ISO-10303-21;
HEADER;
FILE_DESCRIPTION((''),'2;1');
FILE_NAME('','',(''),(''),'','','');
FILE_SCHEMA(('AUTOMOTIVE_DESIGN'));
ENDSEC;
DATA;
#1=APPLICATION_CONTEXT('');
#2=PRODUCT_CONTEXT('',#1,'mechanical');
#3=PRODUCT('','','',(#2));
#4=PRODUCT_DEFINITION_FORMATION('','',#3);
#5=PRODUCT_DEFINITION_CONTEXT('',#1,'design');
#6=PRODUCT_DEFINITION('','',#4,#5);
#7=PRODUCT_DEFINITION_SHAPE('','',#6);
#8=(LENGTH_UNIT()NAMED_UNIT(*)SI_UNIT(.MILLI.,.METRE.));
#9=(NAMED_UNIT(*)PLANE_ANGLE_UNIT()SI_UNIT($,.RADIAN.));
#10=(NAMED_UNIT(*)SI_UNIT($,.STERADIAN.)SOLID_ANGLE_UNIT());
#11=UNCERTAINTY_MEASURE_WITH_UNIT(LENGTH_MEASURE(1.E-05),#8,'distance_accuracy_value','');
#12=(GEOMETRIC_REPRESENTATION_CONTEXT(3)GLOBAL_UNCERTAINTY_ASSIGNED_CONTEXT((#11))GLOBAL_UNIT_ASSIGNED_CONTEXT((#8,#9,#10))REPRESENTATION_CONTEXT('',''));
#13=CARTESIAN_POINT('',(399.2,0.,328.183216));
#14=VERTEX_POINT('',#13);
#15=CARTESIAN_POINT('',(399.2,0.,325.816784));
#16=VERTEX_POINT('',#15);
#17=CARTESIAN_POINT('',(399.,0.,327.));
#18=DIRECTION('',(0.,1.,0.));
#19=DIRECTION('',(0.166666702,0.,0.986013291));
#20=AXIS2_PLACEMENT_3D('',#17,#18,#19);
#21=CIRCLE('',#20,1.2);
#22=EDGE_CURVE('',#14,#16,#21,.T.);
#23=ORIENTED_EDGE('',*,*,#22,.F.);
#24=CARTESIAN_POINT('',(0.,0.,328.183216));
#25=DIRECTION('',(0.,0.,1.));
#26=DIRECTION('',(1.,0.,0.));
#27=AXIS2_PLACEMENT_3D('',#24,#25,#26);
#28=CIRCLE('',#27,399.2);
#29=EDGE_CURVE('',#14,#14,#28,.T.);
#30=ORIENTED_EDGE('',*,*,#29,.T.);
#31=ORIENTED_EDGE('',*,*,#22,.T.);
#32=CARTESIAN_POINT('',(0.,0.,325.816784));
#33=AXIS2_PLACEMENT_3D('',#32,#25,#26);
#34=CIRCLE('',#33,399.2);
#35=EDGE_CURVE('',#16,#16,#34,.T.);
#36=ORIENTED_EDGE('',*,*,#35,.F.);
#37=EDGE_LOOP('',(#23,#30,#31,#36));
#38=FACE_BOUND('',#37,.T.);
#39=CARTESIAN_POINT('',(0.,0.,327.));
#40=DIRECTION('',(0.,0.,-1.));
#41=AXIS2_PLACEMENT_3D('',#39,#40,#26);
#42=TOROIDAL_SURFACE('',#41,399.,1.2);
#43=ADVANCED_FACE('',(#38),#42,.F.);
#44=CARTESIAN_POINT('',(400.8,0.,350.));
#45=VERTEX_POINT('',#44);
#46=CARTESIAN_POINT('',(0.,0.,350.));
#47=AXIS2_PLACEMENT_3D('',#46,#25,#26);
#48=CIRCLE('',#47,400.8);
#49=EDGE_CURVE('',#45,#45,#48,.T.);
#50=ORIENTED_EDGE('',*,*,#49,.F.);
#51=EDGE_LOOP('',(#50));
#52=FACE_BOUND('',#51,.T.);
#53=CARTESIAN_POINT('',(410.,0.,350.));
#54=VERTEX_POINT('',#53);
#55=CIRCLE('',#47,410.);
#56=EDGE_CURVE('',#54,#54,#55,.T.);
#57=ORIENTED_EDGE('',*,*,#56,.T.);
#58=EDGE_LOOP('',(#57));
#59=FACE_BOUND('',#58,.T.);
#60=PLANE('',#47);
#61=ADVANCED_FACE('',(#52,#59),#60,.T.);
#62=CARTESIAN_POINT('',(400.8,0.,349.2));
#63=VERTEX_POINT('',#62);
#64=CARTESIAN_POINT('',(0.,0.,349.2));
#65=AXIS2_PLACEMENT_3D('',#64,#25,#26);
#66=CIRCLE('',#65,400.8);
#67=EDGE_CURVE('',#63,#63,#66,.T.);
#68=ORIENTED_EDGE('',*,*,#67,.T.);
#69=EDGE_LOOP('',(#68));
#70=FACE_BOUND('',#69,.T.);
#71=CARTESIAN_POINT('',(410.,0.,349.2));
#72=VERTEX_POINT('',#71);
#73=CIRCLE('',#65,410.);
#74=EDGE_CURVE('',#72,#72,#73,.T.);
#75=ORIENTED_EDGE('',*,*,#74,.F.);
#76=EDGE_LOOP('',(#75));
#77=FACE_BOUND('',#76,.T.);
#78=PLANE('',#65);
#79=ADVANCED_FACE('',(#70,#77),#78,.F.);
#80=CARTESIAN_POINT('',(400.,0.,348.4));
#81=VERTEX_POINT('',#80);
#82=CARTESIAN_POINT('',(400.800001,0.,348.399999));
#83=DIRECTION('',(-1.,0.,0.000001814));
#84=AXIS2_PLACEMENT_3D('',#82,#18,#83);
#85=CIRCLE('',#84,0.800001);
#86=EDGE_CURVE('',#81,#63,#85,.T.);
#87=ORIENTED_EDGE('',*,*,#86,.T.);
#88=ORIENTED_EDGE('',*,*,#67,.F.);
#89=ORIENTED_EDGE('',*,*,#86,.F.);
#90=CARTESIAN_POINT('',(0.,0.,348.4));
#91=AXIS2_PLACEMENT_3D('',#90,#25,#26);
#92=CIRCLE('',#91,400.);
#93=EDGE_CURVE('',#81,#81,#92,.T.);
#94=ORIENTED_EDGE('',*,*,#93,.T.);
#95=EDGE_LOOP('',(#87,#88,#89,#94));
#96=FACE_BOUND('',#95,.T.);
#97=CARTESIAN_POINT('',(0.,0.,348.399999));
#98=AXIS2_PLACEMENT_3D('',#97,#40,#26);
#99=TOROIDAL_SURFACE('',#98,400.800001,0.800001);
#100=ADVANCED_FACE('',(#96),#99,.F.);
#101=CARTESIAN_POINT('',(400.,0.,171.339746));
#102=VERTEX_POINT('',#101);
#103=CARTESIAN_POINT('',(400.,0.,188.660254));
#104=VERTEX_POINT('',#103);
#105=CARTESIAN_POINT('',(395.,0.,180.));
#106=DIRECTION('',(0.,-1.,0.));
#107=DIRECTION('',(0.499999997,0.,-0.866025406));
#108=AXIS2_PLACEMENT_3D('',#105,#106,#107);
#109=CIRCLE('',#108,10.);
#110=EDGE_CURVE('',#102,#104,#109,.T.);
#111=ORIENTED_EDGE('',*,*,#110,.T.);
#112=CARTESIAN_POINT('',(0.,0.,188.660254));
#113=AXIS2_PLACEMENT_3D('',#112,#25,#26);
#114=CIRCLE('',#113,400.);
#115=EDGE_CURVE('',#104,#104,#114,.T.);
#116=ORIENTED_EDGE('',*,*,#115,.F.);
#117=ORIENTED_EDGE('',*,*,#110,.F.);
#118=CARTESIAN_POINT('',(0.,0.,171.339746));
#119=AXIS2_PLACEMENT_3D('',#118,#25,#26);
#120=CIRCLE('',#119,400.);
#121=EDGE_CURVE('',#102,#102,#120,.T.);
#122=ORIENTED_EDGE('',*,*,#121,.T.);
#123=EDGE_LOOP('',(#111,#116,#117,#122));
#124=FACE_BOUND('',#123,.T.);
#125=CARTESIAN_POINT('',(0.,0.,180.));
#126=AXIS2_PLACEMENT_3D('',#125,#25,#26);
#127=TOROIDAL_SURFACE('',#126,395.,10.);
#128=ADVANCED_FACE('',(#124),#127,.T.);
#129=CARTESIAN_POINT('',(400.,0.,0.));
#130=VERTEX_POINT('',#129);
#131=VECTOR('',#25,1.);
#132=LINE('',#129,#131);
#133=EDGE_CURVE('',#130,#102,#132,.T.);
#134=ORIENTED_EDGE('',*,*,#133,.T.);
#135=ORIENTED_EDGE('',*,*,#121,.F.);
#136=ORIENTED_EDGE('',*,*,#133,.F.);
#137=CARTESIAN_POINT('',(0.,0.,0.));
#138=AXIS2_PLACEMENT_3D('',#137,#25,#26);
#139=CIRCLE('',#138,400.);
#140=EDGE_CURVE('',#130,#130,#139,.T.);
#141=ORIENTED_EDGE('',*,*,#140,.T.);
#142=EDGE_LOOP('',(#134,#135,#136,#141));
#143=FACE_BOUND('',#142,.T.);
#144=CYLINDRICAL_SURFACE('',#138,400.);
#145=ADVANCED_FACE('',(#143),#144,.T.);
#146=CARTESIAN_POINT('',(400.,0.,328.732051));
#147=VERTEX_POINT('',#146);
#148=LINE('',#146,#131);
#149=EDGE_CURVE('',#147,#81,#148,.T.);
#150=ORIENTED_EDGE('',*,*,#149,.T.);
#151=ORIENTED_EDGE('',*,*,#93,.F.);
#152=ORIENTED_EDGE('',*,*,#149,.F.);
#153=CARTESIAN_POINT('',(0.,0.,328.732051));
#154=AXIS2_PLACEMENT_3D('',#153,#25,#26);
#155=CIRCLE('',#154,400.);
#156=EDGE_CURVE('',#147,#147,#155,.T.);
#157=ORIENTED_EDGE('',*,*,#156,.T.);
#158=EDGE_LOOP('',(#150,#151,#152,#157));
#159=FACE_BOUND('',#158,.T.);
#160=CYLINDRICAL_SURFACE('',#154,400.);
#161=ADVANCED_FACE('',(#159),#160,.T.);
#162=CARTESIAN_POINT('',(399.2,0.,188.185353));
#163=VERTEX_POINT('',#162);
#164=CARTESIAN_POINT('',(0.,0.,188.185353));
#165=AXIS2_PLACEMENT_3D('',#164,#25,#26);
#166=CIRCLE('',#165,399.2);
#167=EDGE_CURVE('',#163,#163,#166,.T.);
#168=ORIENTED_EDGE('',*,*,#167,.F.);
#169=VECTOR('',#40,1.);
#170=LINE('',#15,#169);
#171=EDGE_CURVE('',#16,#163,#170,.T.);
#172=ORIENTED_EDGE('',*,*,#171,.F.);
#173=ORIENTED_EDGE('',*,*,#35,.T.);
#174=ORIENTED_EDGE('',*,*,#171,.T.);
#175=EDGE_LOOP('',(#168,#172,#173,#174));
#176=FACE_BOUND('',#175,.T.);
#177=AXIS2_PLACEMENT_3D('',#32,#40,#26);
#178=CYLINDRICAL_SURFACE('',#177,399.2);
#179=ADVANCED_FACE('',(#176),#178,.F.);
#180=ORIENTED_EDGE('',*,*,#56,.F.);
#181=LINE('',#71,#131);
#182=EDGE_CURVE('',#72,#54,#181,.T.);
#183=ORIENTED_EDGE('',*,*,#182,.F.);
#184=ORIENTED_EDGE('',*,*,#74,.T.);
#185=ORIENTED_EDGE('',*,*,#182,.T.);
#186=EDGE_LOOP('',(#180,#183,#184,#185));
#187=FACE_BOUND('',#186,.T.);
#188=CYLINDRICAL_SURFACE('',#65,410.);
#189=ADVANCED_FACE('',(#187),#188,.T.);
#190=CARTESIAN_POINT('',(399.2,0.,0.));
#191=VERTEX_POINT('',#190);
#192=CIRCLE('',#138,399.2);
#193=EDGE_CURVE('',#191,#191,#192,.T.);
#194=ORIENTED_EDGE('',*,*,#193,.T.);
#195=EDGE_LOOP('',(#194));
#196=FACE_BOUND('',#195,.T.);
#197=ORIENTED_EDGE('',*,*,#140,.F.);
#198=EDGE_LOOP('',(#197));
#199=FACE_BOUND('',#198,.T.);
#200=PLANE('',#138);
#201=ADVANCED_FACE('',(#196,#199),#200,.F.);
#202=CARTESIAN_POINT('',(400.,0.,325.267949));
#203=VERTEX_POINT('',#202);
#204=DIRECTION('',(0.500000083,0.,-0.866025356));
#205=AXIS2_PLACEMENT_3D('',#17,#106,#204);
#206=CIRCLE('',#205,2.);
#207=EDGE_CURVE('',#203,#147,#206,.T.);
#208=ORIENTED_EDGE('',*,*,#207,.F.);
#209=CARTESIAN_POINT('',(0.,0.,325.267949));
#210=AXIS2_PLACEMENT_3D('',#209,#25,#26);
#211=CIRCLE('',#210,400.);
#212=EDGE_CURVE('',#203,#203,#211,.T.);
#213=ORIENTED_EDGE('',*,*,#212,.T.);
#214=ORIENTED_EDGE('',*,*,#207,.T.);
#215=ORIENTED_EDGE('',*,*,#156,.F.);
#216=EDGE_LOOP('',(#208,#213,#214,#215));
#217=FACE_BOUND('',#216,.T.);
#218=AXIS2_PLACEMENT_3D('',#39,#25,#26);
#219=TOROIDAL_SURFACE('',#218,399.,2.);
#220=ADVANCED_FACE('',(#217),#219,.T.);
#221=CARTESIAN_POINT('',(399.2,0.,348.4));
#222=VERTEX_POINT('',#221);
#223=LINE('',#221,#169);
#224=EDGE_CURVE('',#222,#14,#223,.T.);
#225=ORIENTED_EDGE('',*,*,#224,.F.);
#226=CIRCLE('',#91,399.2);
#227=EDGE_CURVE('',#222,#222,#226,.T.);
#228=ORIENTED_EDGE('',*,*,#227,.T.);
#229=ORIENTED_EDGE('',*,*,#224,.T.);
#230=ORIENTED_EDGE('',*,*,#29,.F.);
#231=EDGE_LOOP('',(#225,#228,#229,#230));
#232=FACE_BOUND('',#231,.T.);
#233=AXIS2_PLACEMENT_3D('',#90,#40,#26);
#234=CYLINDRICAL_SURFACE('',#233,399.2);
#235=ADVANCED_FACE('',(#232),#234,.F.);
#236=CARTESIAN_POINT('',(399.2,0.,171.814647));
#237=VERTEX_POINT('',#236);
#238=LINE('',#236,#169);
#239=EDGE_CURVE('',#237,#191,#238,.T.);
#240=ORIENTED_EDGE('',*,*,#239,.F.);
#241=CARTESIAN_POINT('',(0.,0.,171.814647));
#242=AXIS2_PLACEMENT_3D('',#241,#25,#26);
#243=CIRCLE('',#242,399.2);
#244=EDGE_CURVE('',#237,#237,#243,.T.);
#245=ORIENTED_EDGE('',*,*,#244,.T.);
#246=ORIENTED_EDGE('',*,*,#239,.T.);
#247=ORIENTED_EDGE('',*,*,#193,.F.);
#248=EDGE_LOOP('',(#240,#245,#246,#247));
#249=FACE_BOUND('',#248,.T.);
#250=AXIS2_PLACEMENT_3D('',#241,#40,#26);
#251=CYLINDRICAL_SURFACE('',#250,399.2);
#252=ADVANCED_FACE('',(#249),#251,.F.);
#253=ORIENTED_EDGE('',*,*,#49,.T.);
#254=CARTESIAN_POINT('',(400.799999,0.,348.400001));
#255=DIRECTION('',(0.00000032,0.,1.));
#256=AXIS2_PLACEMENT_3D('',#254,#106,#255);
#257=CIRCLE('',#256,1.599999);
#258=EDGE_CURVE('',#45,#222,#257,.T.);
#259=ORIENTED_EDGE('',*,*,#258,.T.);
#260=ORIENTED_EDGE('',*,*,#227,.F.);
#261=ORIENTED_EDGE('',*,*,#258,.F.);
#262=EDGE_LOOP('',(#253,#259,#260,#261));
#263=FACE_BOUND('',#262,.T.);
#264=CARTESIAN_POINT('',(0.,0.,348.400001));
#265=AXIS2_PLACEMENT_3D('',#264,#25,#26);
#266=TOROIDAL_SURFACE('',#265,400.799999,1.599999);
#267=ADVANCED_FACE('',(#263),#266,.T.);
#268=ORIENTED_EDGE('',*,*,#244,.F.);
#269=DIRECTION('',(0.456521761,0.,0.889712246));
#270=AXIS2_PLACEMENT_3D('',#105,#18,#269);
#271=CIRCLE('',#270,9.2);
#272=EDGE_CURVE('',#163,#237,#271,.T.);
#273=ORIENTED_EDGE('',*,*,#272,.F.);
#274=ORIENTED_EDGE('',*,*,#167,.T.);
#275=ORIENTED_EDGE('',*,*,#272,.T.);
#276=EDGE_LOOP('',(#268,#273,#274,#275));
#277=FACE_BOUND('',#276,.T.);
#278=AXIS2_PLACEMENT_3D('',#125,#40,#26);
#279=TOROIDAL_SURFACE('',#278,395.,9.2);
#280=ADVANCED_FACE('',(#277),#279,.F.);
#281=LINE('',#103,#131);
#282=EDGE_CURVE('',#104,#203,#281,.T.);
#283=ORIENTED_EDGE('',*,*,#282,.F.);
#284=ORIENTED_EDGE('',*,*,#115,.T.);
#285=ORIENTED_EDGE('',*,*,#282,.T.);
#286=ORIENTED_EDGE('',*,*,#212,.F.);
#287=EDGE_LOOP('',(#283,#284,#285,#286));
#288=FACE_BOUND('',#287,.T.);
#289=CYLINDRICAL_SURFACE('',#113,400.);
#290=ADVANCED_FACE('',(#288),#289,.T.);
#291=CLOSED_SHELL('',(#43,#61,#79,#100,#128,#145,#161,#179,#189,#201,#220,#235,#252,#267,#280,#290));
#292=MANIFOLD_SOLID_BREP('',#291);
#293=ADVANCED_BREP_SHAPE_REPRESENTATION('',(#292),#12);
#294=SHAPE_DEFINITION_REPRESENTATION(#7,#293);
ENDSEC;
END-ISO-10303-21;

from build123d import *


with BuildPart() as f1:
    # F0 (on Front) → F1 (revolve)
    with BuildSketch(Plane.XZ):
        with BuildLine():
            Line((410, 349.2), (410, 350))
            Line((410, 350), (400.8, 350))
            ThreePointArc((400.8, 350), (399.668629, 349.531371), (399.2, 348.4))
            Line((399.2, 348.4), (399.2, 328.183216))
            ThreePointArc((399.2, 328.183216), (400.2, 327), (399.2, 325.816784))
            Line((399.2, 325.816784), (399.2, 188.185353))
            ThreePointArc((399.2, 188.185353), (404.2, 180), (399.2, 171.814647))
            Line((399.2, 171.814647), (399.2, 0))
            Line((399.2, 0), (400, 0))
            Line((400, 0), (400, 171.339746))
            ThreePointArc((400, 171.339746), (405, 180), (400, 188.660254))
            Line((400, 188.660254), (400, 325.267949))
            ThreePointArc((400, 325.267949), (401, 327), (400, 328.732051))
            Line((400, 328.732051), (400, 348.4))
            ThreePointArc((400, 348.4), (400.234315, 348.965685), (400.8, 349.2))
            Line((400.8, 349.2), (410, 349.2))
        make_face()
    revolve(axis=Axis((0, 0, 175), (0, 0, 1)))


solid = f1.part
